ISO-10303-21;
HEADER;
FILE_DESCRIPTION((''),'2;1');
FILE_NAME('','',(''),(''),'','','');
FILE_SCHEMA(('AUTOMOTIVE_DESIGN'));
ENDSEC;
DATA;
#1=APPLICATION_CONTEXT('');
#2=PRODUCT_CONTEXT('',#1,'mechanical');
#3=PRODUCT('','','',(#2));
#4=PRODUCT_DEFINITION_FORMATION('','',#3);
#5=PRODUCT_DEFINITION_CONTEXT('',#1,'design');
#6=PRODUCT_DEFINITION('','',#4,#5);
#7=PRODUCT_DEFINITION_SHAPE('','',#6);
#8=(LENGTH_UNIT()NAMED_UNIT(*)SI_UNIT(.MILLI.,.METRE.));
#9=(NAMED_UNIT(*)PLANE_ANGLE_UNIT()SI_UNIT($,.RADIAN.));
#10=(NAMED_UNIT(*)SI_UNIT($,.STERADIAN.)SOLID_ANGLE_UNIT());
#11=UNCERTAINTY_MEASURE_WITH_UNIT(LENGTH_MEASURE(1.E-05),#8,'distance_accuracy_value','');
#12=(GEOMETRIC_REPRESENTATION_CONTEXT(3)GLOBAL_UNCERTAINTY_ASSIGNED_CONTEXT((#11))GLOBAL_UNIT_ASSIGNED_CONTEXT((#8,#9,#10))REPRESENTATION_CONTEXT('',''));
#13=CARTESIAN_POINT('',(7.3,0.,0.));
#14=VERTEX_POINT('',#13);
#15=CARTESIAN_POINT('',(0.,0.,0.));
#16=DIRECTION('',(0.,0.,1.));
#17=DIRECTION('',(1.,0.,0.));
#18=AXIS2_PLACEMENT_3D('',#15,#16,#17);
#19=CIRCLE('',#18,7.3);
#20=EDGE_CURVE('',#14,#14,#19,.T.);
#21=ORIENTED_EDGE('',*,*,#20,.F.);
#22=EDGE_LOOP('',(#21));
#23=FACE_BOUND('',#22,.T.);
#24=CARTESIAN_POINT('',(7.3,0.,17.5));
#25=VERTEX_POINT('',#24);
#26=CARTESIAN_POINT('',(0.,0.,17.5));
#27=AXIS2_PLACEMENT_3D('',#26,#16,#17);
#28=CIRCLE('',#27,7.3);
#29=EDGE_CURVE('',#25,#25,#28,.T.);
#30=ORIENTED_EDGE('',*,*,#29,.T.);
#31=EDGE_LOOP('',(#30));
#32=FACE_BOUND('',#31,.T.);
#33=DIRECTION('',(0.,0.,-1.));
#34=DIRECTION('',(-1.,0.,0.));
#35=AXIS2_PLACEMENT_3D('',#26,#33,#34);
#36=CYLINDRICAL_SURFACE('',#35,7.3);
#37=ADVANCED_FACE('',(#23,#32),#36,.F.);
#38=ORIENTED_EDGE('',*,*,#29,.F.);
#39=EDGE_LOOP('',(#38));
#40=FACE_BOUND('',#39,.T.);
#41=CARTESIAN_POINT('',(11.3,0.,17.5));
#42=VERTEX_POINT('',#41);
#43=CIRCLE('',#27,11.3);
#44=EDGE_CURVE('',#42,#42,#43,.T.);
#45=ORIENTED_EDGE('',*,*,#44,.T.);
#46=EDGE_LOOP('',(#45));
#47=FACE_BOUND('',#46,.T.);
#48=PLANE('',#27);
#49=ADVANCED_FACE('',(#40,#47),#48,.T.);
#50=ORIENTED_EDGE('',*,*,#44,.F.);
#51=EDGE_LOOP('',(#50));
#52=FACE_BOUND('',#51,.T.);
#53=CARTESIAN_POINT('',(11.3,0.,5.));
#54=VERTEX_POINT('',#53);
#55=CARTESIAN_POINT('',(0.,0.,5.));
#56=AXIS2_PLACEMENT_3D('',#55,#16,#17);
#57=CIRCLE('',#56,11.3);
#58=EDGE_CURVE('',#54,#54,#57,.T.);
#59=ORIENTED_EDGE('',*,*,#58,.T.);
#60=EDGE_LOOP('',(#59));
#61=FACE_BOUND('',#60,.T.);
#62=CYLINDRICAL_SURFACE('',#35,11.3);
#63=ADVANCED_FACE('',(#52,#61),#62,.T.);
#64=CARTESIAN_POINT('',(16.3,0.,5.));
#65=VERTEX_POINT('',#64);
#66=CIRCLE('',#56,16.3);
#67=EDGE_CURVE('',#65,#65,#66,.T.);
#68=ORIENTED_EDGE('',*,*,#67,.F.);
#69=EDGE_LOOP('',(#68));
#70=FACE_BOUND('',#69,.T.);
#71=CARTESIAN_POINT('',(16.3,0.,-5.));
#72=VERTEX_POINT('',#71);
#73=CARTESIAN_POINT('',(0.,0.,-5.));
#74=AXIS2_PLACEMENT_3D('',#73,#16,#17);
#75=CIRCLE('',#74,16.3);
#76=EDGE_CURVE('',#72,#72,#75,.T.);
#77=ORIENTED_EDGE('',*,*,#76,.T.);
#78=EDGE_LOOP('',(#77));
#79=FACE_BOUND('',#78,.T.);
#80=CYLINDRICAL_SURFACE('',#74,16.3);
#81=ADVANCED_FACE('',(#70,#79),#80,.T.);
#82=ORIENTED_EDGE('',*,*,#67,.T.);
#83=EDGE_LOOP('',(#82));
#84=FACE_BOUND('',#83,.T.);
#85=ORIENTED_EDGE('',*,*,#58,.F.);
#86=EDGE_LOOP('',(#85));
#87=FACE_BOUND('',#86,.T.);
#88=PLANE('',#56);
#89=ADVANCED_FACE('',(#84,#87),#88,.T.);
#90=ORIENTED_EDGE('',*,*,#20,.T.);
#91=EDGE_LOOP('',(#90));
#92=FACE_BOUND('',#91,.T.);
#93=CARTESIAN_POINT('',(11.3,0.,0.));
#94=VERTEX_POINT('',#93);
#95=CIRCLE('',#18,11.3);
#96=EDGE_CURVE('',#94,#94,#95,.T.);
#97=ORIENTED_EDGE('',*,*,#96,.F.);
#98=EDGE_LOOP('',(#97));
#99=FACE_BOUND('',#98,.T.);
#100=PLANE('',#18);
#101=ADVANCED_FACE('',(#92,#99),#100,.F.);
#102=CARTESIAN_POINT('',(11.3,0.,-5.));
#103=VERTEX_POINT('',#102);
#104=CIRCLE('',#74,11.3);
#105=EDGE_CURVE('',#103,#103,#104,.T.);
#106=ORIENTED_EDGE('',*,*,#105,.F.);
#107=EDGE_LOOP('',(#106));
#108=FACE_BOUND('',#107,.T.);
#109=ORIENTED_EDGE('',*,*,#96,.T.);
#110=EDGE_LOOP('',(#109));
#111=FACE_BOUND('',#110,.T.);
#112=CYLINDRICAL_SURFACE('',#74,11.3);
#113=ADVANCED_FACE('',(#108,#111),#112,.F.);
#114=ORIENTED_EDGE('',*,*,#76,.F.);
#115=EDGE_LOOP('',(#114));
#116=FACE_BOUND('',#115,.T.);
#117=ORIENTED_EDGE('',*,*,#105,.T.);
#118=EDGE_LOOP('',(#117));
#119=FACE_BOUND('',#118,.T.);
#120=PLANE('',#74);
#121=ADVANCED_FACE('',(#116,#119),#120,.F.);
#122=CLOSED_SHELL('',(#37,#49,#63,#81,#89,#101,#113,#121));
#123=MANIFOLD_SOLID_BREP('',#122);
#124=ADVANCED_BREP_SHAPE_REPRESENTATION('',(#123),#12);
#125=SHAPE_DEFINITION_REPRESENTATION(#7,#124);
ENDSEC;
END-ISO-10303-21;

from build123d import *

# Parameters (mm, degrees)
SKETCH1_R           = 11.3
SKETCH1_R_2         = 7.3
BOSS_EXTRUDE1_DEPTH = 17.5
BOSS_EXTRUDE2_START = -5
SKETCH1_4_R         = 16.3
SKETCH1_4_R_2       = 11.3
BOSS_EXTRUDE2_DEPTH = 10


with BuildPart() as part:
    # Sketch1 → Boss-Extrude1 (new body)
    with BuildSketch(Plane.XY):
        Circle(SKETCH1_R)
        Circle(SKETCH1_R_2, mode=Mode.SUBTRACT)
    extrude(amount=BOSS_EXTRUDE1_DEPTH)

    # Sketch1<4> → Boss-Extrude2 (add)
    with BuildSketch(Plane.XY.offset(BOSS_EXTRUDE2_START)):
        Circle(SKETCH1_4_R)
        Circle(SKETCH1_4_R_2, mode=Mode.SUBTRACT)
    extrude(amount=BOSS_EXTRUDE2_DEPTH)


solid = part.part
